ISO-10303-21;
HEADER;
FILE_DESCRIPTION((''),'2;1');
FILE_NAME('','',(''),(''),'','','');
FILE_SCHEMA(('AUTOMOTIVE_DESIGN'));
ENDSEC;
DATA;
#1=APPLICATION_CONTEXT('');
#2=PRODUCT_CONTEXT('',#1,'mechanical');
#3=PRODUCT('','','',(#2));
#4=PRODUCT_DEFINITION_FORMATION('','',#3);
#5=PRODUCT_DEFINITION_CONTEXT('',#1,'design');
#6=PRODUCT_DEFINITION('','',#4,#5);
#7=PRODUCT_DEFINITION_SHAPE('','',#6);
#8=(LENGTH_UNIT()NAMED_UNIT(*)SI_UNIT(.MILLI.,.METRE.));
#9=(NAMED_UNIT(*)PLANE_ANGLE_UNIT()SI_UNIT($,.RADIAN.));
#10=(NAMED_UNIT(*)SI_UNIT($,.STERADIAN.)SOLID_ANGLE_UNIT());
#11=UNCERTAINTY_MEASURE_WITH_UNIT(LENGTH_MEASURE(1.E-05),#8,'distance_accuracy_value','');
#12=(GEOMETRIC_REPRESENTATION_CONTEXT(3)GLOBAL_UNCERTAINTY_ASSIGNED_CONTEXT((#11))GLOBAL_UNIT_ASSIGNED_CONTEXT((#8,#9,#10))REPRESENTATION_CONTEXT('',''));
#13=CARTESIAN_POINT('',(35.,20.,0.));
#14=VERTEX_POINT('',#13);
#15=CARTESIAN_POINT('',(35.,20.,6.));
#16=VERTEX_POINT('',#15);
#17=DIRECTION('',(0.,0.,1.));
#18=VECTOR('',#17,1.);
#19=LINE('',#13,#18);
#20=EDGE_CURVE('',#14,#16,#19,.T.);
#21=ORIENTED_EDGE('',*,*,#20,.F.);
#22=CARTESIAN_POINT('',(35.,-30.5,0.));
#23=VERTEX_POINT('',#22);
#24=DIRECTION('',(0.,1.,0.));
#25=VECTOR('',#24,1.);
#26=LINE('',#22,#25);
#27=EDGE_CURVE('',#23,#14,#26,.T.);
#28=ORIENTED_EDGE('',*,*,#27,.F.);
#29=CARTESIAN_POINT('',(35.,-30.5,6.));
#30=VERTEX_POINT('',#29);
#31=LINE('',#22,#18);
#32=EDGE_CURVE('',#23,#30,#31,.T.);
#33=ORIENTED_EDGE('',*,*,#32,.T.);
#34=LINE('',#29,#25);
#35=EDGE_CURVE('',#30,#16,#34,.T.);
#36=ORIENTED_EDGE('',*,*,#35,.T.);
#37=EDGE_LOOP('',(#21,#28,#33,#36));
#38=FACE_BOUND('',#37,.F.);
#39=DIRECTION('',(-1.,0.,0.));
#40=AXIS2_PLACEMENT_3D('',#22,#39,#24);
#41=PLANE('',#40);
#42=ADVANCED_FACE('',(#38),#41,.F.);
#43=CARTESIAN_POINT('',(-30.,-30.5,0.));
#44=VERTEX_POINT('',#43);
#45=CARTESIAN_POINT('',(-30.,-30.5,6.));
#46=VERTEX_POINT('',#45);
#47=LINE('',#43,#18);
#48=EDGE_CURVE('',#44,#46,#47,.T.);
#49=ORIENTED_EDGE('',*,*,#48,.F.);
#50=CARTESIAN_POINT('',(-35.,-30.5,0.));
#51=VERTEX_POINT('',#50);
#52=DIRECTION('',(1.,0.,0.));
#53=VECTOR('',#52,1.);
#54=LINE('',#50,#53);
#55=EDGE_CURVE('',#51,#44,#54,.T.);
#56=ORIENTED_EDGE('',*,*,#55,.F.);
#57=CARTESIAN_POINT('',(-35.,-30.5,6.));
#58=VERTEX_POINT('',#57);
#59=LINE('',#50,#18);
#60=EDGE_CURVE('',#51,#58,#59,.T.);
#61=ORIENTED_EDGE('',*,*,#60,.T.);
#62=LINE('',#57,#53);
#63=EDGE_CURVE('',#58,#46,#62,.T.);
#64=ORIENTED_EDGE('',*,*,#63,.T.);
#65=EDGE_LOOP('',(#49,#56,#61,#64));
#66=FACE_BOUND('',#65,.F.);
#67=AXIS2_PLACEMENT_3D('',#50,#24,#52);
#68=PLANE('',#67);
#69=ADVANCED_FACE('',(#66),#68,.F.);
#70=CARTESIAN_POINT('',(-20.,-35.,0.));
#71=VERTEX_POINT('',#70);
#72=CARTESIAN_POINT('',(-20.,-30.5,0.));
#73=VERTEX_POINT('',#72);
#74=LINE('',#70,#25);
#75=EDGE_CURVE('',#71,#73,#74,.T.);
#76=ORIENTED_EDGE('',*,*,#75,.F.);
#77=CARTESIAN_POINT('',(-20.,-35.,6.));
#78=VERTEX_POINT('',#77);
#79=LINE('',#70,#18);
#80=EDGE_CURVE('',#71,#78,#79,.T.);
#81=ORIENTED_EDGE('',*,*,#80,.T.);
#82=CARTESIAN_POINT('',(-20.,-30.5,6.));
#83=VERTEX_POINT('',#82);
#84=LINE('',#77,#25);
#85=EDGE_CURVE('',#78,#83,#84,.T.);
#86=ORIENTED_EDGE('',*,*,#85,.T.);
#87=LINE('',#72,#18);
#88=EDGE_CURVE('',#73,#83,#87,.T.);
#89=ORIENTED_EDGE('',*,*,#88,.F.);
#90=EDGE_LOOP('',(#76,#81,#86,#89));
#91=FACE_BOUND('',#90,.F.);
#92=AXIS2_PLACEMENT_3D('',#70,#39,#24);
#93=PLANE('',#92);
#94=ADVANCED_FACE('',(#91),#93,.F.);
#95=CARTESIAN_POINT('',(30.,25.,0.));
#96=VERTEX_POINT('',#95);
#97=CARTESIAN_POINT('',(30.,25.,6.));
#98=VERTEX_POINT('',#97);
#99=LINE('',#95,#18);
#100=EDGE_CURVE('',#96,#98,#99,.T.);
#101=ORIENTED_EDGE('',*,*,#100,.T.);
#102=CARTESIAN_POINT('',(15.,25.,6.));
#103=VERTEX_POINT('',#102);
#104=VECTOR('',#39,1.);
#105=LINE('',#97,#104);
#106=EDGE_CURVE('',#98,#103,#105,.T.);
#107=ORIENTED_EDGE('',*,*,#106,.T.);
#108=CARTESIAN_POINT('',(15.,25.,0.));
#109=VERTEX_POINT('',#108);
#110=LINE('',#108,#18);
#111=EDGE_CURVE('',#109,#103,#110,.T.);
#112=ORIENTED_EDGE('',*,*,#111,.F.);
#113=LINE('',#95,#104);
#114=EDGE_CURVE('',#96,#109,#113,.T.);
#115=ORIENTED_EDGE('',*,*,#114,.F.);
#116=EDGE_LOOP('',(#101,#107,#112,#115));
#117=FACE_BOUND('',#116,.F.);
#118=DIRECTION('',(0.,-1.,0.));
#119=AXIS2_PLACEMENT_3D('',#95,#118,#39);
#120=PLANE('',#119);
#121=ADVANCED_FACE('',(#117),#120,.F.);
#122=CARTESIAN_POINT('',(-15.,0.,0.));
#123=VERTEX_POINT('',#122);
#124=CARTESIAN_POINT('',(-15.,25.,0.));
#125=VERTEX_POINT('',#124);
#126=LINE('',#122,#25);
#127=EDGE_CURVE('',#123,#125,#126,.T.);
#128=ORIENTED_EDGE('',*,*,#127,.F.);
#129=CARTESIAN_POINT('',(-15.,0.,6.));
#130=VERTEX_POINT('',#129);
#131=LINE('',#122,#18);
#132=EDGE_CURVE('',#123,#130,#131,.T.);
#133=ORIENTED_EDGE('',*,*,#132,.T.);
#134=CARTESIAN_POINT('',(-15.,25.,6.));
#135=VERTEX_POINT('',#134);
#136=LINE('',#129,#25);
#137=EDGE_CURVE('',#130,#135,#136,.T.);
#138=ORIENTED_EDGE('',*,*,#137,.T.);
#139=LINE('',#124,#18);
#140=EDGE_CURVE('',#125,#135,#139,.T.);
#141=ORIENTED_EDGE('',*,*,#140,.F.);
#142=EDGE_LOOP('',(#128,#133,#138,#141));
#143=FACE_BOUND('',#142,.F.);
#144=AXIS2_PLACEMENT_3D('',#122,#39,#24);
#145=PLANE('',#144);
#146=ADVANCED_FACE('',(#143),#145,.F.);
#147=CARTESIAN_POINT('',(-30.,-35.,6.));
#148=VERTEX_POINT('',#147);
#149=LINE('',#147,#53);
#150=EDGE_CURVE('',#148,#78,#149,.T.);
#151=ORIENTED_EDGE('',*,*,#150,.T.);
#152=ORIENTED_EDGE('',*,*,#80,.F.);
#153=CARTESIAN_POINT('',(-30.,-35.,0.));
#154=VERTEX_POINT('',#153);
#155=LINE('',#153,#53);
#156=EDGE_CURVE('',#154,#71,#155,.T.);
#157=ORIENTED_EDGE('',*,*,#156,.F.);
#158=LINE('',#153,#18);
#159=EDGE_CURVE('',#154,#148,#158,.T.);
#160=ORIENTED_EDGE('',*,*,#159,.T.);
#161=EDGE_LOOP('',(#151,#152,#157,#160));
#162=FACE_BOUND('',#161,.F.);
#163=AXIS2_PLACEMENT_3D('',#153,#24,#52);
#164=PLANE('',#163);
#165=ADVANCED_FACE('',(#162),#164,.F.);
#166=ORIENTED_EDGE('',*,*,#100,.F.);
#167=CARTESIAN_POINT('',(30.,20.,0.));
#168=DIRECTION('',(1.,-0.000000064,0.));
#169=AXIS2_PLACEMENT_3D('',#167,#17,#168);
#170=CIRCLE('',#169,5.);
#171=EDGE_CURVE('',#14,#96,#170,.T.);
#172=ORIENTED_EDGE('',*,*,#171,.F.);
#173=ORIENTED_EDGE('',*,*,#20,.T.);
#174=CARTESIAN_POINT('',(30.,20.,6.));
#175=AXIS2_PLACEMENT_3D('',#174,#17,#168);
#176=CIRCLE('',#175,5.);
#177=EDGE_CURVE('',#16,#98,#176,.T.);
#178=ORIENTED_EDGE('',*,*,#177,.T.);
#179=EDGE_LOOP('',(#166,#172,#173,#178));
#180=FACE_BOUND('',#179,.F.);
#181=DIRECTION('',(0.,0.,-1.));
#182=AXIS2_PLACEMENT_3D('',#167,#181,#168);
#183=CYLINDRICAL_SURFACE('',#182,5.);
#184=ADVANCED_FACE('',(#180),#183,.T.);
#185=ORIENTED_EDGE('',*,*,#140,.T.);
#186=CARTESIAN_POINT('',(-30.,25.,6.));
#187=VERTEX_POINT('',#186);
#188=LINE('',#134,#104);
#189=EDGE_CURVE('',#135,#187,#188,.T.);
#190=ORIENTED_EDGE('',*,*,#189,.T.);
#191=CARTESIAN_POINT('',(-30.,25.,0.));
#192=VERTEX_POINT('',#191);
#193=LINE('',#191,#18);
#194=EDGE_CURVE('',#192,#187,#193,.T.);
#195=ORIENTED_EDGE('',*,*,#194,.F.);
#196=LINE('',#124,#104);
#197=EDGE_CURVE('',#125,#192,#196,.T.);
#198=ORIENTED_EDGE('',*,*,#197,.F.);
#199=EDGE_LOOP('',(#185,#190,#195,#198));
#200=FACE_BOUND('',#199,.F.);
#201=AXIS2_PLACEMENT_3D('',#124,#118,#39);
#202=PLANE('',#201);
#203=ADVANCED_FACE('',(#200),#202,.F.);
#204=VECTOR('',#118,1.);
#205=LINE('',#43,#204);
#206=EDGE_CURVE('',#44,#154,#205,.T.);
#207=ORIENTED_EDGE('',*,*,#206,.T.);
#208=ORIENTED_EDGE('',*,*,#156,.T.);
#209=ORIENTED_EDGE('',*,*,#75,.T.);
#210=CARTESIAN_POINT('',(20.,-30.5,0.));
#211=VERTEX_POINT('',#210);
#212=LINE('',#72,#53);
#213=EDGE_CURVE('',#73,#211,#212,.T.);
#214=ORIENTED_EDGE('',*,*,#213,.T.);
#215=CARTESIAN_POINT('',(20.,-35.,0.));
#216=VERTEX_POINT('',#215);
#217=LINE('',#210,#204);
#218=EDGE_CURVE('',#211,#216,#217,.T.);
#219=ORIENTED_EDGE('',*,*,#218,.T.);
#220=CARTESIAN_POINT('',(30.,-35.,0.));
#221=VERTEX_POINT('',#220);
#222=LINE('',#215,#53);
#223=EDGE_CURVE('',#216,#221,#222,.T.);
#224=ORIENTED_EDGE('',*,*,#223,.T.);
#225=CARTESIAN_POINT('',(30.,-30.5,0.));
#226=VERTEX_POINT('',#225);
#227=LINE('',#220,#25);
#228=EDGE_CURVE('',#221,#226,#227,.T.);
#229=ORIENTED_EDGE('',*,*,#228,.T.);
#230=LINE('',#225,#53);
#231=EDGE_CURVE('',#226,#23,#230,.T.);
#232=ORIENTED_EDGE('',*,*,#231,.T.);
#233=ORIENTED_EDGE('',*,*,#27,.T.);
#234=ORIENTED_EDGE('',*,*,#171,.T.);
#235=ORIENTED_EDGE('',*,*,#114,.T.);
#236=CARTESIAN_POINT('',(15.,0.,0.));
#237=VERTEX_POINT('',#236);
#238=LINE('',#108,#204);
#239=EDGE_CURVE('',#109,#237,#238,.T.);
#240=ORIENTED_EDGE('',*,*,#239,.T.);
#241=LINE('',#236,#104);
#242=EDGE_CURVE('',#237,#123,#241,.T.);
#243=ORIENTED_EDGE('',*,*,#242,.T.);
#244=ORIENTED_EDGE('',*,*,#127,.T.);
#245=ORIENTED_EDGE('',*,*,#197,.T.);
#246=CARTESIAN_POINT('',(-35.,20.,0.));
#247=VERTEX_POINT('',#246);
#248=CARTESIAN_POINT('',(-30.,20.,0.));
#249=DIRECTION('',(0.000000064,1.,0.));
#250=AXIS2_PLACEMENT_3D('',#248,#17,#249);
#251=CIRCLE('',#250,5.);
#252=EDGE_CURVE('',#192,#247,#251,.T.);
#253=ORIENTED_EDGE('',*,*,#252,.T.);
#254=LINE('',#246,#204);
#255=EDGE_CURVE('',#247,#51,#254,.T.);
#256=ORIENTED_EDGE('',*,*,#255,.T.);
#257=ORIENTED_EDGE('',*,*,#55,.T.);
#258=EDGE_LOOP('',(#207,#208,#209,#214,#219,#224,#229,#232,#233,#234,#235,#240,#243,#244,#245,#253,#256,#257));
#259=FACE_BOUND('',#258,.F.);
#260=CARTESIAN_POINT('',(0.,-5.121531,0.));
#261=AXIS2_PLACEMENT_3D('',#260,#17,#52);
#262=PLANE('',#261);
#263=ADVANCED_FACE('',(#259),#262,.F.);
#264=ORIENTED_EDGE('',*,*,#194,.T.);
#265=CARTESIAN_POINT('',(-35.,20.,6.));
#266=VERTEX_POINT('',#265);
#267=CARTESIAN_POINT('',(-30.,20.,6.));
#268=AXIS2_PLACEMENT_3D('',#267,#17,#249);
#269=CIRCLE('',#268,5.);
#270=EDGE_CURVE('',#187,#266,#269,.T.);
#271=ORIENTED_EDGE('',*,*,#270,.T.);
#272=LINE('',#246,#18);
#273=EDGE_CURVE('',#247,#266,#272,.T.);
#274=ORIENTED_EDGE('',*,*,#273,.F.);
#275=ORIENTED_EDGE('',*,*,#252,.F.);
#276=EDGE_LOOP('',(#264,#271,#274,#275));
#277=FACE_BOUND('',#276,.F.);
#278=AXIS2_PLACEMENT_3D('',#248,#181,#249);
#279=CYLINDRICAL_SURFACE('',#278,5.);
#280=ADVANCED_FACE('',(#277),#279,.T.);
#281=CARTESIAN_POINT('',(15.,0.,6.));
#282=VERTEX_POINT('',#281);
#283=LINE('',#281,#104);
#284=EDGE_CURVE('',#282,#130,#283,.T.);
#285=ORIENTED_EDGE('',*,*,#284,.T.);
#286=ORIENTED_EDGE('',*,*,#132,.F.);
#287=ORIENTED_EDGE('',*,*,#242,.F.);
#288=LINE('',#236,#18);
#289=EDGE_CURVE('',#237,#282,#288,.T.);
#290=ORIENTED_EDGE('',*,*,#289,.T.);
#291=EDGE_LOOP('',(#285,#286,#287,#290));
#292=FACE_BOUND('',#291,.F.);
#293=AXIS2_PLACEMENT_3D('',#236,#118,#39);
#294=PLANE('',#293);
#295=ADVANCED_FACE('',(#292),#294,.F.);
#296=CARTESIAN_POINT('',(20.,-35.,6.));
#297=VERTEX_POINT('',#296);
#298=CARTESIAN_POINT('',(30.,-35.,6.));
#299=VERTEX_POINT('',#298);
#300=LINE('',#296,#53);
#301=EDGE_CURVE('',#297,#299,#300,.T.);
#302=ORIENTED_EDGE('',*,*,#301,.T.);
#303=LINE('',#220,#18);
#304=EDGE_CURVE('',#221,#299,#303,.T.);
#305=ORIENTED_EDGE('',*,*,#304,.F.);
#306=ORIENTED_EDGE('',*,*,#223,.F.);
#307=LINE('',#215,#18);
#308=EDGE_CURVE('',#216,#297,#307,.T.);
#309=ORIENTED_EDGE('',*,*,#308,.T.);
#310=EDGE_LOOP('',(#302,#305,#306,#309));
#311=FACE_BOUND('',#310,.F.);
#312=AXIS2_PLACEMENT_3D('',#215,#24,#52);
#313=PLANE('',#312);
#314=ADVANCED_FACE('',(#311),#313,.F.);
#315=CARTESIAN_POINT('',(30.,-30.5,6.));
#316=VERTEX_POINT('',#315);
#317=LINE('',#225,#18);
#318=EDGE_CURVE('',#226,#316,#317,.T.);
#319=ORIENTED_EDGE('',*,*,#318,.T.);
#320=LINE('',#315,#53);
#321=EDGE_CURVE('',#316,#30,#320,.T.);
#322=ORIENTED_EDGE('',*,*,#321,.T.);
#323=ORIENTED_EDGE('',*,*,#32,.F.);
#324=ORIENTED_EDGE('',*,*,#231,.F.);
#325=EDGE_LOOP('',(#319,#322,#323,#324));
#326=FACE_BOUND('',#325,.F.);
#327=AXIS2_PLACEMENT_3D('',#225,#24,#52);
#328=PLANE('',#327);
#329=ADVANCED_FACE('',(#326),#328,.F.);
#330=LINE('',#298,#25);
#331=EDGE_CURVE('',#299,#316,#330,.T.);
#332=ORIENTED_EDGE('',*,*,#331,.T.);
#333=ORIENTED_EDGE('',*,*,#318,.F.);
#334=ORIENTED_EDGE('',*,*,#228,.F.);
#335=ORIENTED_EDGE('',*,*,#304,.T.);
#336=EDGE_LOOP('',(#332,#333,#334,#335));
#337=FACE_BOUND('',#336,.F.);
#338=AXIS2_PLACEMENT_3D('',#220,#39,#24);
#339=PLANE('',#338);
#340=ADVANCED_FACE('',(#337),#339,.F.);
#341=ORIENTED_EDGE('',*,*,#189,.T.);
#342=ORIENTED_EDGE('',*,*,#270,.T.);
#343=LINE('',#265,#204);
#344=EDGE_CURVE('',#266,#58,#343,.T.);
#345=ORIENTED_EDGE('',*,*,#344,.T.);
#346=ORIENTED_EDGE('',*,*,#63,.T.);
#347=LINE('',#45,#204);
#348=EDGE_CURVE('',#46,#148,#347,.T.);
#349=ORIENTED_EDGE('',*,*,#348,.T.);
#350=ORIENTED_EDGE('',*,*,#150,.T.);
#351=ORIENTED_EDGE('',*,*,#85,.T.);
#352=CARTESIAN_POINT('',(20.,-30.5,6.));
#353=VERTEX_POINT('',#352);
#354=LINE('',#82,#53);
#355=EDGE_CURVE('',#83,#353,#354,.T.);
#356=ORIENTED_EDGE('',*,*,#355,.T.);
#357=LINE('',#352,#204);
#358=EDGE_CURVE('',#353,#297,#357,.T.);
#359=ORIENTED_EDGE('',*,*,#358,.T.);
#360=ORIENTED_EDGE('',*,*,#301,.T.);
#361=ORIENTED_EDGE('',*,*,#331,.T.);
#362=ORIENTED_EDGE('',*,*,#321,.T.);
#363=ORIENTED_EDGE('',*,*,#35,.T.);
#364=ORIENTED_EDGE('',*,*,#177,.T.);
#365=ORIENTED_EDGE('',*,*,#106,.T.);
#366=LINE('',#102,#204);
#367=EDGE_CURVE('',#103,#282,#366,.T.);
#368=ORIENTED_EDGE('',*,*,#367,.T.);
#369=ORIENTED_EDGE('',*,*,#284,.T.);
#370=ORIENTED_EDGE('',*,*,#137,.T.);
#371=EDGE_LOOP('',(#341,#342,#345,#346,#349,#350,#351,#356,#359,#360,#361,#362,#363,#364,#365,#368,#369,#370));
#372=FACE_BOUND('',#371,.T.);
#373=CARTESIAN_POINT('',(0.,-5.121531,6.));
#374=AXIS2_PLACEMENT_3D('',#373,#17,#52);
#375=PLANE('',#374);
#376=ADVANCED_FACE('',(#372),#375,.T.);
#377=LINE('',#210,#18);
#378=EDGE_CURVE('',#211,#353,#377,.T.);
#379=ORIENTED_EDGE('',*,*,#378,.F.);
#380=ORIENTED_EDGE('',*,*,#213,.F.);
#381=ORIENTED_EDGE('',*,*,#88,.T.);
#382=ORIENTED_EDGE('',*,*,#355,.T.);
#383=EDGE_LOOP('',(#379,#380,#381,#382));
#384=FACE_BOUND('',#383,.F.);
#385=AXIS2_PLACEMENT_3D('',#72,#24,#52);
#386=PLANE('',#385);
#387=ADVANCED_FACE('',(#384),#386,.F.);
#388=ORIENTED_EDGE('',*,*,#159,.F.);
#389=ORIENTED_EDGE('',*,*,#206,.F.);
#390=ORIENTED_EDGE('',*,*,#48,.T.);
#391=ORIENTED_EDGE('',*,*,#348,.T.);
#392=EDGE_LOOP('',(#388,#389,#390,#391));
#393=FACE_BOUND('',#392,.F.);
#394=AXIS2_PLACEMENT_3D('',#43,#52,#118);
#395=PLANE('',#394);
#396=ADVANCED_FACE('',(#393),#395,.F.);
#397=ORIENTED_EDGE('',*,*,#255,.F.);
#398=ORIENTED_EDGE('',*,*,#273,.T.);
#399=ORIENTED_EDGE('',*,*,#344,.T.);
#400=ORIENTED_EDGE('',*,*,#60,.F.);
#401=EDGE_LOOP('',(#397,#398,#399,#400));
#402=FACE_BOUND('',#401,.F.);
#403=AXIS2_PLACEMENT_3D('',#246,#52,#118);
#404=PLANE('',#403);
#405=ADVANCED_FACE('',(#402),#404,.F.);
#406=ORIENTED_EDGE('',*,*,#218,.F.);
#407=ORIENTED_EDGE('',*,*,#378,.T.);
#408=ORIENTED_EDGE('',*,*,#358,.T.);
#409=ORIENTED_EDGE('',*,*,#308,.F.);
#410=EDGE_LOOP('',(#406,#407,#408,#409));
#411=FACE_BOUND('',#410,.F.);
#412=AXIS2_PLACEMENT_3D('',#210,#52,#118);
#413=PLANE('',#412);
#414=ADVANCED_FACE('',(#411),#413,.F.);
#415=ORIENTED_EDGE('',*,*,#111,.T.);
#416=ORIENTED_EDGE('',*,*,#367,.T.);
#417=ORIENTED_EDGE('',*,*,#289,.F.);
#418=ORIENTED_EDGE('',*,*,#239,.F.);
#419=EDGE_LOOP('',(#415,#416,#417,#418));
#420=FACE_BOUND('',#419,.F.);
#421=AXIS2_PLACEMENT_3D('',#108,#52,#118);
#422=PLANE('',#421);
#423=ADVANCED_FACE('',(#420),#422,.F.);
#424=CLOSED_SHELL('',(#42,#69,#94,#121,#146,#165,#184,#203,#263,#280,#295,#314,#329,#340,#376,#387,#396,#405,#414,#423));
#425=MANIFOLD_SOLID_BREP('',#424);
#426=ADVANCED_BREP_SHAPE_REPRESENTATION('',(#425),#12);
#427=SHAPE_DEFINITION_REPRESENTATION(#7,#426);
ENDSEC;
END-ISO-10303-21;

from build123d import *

# Parameters (mm, degrees)
F1_DEPTH = 6


with BuildPart() as f1:
    # F0 (on Top) → F1 (new body)
    with BuildSketch(Plane.XY):
        with BuildLine():
            Line((-35, 20), (-35, -30.5))
            Line((-35, -30.5), (-30, -30.5))
            Line((-30, -30.5), (-30, -35))
            Line((-30, -35), (-20, -35))
            Line((-20, -35), (-20, -30.5))
            Line((-20, -30.5), (20, -30.5))
            Line((20, -30.5), (20, -35))
            Line((20, -35), (30, -35))
            Line((30, -35), (30, -30.5))
            Line((30, -30.5), (35, -30.5))
            Line((35, -30.5), (35, 20))
            ThreePointArc((35, 20), (33.535534, 23.535534), (30, 25))
            Line((30, 25), (15, 25))
            Line((15, 25), (15, 0))
            Line((15, 0), (-15, 0))
            Line((-15, 0), (-15, 25))
            Line((-15, 25), (-30, 25))
            ThreePointArc((-30, 25), (-33.535534, 23.535534), (-35, 20))
        make_face()
    extrude(amount=F1_DEPTH)


solid = f1.part
